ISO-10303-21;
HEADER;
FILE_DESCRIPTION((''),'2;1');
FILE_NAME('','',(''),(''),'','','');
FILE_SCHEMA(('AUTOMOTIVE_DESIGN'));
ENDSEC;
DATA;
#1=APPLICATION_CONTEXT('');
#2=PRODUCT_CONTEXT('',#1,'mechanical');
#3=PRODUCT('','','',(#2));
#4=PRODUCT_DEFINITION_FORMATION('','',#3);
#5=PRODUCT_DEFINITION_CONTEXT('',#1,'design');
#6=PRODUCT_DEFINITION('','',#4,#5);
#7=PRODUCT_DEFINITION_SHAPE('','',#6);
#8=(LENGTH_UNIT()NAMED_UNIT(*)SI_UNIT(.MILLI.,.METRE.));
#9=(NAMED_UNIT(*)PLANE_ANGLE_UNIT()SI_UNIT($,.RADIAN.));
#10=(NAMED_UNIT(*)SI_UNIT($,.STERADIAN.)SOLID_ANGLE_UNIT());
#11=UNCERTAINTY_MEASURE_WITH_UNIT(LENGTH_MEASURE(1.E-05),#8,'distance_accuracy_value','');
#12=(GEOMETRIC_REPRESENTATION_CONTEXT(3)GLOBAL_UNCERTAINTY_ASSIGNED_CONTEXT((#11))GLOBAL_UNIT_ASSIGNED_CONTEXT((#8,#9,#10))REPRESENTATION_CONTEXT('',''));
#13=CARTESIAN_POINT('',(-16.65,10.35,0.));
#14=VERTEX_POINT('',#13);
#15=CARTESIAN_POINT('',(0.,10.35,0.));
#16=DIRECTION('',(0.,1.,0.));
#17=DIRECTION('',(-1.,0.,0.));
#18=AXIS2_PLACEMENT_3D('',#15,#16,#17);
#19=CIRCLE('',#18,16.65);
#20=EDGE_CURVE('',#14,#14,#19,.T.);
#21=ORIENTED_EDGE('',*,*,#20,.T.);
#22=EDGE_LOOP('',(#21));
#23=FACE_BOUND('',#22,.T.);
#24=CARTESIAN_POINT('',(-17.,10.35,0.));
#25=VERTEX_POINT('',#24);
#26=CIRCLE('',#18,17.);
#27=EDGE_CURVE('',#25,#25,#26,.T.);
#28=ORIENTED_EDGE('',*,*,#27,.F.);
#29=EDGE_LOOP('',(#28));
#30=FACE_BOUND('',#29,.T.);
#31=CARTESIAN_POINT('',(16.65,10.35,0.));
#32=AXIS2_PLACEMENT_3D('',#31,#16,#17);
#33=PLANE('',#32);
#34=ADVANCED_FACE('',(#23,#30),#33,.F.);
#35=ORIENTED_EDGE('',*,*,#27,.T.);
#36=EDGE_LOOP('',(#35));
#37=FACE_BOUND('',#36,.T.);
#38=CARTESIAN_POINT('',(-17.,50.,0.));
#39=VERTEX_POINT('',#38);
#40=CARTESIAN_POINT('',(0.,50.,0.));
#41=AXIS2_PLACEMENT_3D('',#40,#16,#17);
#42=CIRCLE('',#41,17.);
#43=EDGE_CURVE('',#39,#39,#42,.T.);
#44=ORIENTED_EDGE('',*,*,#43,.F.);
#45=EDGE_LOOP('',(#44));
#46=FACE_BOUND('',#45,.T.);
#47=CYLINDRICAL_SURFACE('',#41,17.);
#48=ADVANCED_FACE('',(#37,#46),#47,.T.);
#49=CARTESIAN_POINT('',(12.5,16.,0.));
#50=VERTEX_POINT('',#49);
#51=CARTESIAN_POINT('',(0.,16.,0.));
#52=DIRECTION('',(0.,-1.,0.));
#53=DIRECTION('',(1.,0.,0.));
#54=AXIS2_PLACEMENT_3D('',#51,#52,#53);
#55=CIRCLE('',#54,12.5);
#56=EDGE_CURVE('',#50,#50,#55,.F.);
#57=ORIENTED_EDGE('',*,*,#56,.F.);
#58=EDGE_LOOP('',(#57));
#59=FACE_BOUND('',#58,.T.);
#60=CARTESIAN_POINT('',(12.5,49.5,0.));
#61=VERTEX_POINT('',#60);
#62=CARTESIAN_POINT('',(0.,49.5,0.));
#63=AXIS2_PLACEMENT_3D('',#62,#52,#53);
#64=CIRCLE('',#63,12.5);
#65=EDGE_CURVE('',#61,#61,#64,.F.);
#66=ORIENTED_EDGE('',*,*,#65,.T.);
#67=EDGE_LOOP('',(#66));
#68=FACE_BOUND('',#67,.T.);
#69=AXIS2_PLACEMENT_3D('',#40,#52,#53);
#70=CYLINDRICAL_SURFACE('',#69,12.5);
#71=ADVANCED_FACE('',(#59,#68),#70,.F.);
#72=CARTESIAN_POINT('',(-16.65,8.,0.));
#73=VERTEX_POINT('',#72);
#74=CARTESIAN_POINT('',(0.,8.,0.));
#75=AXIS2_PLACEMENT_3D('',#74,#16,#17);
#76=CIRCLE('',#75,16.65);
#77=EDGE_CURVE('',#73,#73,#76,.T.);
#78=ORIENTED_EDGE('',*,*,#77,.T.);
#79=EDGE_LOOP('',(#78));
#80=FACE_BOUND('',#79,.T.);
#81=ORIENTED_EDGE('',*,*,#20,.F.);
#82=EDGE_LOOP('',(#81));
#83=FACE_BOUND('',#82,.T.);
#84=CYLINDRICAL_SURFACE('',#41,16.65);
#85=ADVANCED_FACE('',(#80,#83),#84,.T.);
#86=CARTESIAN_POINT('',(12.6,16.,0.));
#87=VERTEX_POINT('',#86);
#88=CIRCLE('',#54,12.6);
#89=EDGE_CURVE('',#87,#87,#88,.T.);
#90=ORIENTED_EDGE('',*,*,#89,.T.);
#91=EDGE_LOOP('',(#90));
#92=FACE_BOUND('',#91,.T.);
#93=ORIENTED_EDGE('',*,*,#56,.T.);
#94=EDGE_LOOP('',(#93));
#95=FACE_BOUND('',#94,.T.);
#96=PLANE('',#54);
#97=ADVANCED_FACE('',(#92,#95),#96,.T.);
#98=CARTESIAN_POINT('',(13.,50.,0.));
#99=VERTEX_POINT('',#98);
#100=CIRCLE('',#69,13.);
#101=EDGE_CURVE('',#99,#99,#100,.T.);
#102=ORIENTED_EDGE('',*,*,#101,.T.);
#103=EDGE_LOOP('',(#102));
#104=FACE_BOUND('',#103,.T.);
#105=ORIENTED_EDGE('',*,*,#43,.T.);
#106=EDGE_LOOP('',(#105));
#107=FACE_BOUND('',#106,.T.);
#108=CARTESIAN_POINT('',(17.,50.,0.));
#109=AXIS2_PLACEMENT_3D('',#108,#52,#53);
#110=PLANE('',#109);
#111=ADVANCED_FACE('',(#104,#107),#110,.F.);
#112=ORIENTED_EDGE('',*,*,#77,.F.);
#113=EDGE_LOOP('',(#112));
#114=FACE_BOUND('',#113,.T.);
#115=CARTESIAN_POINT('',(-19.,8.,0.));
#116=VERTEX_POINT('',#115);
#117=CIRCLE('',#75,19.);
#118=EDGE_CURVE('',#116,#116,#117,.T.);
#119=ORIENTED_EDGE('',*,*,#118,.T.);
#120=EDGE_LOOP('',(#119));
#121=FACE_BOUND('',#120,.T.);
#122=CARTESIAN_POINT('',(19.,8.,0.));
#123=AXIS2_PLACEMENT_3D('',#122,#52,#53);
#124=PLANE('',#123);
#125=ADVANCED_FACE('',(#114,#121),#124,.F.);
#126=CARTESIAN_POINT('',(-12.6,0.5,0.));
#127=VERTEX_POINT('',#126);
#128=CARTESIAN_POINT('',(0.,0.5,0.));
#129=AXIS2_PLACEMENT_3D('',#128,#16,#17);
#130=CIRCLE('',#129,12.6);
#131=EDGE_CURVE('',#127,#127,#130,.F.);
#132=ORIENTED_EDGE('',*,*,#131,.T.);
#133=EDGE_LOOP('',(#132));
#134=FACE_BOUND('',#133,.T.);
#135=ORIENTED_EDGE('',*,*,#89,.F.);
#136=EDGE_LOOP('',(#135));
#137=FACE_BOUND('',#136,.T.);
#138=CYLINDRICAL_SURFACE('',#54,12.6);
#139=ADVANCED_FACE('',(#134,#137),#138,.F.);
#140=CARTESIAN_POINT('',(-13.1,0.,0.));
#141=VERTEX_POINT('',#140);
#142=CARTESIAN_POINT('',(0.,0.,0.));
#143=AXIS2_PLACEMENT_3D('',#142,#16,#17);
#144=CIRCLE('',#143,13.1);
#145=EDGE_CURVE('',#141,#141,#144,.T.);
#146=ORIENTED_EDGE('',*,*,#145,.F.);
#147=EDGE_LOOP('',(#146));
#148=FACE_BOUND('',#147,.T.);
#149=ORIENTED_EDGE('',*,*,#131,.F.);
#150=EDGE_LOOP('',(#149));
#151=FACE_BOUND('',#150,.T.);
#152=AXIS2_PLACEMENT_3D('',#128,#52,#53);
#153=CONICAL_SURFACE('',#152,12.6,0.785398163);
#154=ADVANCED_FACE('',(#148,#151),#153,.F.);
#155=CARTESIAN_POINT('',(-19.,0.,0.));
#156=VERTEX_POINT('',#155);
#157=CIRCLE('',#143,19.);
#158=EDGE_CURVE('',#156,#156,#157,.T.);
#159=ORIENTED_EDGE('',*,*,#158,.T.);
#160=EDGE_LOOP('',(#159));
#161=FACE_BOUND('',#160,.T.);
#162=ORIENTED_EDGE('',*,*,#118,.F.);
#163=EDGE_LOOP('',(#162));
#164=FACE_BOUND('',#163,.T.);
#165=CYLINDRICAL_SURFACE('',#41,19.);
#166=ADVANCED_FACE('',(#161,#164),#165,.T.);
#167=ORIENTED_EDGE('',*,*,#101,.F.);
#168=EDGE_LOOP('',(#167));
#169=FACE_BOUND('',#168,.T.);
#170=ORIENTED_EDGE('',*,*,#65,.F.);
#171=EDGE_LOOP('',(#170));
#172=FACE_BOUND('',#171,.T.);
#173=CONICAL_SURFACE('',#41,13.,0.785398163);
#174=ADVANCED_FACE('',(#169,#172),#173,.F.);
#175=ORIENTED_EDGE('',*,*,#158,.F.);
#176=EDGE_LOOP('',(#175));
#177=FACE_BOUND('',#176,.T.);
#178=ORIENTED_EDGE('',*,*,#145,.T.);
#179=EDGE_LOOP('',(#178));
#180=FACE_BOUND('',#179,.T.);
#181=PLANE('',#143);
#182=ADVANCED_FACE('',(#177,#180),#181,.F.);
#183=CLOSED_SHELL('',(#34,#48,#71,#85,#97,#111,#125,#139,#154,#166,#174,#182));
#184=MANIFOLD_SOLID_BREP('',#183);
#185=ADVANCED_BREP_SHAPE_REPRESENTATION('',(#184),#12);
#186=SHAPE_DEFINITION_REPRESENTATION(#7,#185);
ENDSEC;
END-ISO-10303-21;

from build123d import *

# Parameters (mm, degrees)
CUT_EXTRUDE1_DEPTH      = 57.762663785
CUT_EXTRUDE1_DEPTH_BACK = 57.762663785
SKETCH2_R               = 12.5
SKETCH4_R               = 12.6
CUT_EXTRUDE2_DEPTH      = 16
CHAMFER4_SIZE           = 0.5
CHAMFER5_SIZE           = 0.5


with BuildPart() as part:
    # Sketch1 → Revolve1 (revolve)
    with BuildSketch(Plane.XY, mode=Mode.PRIVATE) as revolve1_sk:
        Polygon((0, 0), (19, 0), (19, 8), (16.65, 8), (16.65, 10.35), (17, 10.35), (17, 50), (0, 50), align=None)
    revolve(revolve1_sk.sketch.rotate(Axis((0, 50, 0), (0, -1, 0)), 180), axis=Axis((0, 50, 0), (0, -1, 0)))

    # Sketch2 → Cut-Extrude1 (cut, two sides: drawn at the far end of the back side and taken through both)
    with BuildSketch(Plane.XZ.offset(-CUT_EXTRUDE1_DEPTH_BACK)):
        Circle(SKETCH2_R)
    extrude(amount=CUT_EXTRUDE1_DEPTH + CUT_EXTRUDE1_DEPTH_BACK, mode=Mode.SUBTRACT)

    # Sketch4 → Cut-Extrude2 (cut)
    with BuildSketch(Plane.XZ):
        Circle(SKETCH4_R)
    extrude(amount=-CUT_EXTRUDE2_DEPTH, mode=Mode.SUBTRACT)

    # Chamfer4
    chamfer4_edges = [part.edges().sort_by_distance(p)[0] for p in [
        (-12.6, 0, 0),
    ]]
    chamfer(chamfer4_edges, length=CHAMFER4_SIZE)

    # Chamfer5
    chamfer5_edges = [part.edges().sort_by_distance(p)[0] for p in [
        (-12.5, 50, 0),
    ]]
    chamfer(chamfer5_edges, length=CHAMFER5_SIZE)


solid = part.part
